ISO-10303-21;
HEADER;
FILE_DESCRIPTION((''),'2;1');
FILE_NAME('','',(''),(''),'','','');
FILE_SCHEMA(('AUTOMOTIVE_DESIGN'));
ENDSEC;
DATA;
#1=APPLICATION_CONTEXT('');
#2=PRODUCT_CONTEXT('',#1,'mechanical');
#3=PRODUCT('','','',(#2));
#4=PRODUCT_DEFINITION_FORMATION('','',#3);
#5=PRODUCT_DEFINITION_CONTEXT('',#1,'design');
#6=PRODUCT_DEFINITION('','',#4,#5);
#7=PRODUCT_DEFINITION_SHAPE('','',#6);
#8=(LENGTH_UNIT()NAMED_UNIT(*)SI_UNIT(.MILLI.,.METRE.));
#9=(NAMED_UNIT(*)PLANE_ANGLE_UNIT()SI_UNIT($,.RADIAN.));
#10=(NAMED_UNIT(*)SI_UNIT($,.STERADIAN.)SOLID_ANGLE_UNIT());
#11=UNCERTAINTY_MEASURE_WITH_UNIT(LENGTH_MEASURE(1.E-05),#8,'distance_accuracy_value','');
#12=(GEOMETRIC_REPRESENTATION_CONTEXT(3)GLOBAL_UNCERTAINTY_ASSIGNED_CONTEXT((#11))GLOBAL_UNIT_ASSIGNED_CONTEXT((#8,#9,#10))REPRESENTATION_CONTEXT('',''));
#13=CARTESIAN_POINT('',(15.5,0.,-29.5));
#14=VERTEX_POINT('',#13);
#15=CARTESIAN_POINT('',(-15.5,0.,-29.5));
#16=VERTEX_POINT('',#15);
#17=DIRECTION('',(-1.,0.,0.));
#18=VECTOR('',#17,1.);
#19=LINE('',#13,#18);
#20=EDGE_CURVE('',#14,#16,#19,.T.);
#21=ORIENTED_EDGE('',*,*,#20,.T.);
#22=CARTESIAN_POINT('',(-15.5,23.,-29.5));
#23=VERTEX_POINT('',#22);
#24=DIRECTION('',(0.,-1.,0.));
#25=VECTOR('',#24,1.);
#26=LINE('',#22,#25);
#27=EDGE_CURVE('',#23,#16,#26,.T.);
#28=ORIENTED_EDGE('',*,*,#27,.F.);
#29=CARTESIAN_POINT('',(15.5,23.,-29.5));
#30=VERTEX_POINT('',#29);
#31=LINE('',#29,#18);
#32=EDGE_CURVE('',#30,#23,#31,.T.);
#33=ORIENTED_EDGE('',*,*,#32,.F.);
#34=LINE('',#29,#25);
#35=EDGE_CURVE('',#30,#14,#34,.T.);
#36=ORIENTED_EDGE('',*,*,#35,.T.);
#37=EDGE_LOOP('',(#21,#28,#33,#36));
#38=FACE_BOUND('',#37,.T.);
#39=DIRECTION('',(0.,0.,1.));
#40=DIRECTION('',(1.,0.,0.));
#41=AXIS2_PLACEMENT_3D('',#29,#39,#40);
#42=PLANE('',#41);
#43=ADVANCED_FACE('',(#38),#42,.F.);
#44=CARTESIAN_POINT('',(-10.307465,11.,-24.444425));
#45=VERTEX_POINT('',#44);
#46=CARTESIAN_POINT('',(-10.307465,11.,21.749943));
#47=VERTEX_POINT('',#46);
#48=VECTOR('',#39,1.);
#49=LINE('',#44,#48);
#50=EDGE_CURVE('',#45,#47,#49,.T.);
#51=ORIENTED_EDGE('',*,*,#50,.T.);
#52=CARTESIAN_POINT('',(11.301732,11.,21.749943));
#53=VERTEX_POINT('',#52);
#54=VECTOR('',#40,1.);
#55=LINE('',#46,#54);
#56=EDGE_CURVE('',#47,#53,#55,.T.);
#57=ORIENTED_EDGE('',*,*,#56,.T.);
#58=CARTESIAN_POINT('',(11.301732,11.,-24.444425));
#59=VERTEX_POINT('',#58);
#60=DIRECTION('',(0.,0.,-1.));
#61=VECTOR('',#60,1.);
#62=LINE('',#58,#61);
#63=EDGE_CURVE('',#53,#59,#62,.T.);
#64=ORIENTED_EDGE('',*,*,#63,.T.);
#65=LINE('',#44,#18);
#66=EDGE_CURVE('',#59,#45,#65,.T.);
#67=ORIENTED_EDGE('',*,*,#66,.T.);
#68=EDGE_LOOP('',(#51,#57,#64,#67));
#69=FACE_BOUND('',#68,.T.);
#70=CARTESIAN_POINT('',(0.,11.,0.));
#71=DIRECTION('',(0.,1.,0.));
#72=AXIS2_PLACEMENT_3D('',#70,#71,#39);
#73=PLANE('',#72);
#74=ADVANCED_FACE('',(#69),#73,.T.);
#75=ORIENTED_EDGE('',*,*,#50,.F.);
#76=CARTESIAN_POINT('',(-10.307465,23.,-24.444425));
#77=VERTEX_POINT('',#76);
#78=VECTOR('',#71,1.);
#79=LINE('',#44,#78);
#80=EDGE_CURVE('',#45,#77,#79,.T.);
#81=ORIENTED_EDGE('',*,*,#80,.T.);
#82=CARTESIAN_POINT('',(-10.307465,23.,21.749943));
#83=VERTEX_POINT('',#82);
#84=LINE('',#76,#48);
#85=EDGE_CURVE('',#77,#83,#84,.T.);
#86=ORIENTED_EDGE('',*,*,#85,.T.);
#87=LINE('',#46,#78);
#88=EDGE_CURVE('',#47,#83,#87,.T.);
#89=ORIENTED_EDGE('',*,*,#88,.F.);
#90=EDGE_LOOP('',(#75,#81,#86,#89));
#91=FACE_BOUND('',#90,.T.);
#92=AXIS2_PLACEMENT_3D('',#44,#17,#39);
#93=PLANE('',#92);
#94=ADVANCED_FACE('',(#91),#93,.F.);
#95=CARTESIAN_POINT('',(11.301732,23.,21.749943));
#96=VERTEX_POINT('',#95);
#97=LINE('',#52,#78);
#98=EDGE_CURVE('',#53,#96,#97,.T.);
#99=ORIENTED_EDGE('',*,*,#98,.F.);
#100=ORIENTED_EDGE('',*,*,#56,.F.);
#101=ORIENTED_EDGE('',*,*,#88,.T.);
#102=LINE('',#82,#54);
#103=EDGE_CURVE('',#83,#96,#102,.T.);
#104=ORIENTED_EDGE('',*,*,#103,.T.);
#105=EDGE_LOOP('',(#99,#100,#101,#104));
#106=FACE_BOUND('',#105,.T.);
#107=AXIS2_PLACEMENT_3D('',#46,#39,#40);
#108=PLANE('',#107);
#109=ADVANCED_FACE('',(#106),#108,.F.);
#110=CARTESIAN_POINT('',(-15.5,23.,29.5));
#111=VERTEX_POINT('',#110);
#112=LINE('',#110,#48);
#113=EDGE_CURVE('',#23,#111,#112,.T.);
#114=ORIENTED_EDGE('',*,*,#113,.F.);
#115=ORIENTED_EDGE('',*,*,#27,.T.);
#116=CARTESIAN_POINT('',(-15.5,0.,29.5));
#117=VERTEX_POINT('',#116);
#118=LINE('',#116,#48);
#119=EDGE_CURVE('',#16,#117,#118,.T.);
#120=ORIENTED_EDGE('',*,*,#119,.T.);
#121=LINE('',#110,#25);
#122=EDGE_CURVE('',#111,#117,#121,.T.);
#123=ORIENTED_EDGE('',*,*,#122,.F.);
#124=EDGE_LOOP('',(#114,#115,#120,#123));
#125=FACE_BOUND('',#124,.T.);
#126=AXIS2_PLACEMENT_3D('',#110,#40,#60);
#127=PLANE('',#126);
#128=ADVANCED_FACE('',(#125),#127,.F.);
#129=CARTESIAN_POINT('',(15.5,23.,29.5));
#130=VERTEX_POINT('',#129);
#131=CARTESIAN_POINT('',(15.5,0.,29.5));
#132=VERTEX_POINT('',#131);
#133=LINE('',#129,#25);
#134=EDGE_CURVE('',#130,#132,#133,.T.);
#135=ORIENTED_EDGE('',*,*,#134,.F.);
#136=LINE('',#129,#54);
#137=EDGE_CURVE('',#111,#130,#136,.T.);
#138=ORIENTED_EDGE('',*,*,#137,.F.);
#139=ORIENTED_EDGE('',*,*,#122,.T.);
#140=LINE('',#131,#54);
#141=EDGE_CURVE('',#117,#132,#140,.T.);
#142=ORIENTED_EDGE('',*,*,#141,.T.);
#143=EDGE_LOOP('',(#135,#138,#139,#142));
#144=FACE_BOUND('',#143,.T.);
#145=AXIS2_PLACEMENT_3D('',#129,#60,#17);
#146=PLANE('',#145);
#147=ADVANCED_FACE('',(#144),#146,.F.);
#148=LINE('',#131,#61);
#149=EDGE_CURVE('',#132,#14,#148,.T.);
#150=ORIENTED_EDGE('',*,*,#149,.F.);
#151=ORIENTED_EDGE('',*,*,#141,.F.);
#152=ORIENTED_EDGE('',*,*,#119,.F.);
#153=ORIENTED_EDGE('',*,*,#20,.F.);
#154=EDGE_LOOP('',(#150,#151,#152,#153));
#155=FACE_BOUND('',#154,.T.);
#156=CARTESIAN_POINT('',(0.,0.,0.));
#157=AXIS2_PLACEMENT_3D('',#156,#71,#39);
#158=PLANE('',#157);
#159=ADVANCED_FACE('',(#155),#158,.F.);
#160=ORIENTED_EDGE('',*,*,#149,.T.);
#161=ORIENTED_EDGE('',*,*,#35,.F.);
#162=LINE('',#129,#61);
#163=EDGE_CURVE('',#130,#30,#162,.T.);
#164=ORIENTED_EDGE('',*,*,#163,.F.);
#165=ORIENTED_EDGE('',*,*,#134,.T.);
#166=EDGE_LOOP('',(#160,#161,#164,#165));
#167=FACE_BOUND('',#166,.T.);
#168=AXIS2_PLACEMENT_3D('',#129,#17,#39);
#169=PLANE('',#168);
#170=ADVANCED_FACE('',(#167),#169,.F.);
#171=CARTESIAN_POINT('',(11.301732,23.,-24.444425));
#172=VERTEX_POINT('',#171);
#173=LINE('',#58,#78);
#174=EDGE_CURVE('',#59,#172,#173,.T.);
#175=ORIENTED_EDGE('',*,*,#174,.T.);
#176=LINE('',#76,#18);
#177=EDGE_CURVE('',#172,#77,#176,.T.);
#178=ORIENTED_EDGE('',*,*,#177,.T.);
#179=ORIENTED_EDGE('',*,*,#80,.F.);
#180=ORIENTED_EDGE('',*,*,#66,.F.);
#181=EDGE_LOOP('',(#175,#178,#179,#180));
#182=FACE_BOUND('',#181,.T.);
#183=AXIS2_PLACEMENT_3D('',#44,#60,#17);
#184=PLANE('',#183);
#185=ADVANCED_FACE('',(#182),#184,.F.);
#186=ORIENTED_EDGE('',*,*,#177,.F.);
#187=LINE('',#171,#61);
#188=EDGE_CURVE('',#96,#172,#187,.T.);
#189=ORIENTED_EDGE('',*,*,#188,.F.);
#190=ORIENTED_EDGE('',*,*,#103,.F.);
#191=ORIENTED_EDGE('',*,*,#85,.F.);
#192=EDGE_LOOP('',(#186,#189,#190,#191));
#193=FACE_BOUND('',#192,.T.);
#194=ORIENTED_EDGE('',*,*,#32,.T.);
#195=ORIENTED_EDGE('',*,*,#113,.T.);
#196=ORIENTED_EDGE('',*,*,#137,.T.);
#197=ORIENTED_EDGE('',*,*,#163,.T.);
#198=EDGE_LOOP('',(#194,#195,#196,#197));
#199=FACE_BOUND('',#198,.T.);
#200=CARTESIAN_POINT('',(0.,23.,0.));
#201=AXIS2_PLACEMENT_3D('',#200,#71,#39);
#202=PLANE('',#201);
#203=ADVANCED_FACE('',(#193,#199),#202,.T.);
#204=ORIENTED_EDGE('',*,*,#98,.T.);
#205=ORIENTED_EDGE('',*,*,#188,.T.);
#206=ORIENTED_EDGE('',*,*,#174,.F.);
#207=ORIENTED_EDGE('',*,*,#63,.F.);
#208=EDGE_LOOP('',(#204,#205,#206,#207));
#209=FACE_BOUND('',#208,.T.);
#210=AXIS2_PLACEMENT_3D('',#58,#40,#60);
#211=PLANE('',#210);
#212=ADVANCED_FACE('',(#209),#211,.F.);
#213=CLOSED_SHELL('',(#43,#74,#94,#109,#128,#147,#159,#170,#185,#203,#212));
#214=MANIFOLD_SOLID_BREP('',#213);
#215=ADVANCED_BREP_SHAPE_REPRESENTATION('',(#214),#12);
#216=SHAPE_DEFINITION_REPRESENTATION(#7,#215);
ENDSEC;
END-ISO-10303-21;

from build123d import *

# Parameters (mm, degrees)
SKETCH1_W           = 31
SKETCH1_H           = 59
BOSS_EXTRUDE1_DEPTH = 23
SKETCH2_W           = 21.609196656
SKETCH2_H           = 46.19436878
CUT_EXTRUDE1_DEPTH  = 12


with BuildPart() as part:
    # Sketch1 → Boss-Extrude1 (new body)
    with BuildSketch(Plane(origin=(0, 0, 0), x_dir=(1, 0, 0), z_dir=(0, 1, 0))):
        Rectangle(SKETCH1_W, SKETCH1_H)
    extrude(amount=BOSS_EXTRUDE1_DEPTH)

    # Sketch2 → Cut-Extrude1 (cut)
    with BuildSketch(Plane(origin=(0, 23, 0), x_dir=(1, 0, 0), z_dir=(0, 1, 0))):
        with Locations((0.497133186, 1.347240935)):
            Rectangle(SKETCH2_W, SKETCH2_H)
    extrude(amount=-CUT_EXTRUDE1_DEPTH, mode=Mode.SUBTRACT)


solid = part.part
